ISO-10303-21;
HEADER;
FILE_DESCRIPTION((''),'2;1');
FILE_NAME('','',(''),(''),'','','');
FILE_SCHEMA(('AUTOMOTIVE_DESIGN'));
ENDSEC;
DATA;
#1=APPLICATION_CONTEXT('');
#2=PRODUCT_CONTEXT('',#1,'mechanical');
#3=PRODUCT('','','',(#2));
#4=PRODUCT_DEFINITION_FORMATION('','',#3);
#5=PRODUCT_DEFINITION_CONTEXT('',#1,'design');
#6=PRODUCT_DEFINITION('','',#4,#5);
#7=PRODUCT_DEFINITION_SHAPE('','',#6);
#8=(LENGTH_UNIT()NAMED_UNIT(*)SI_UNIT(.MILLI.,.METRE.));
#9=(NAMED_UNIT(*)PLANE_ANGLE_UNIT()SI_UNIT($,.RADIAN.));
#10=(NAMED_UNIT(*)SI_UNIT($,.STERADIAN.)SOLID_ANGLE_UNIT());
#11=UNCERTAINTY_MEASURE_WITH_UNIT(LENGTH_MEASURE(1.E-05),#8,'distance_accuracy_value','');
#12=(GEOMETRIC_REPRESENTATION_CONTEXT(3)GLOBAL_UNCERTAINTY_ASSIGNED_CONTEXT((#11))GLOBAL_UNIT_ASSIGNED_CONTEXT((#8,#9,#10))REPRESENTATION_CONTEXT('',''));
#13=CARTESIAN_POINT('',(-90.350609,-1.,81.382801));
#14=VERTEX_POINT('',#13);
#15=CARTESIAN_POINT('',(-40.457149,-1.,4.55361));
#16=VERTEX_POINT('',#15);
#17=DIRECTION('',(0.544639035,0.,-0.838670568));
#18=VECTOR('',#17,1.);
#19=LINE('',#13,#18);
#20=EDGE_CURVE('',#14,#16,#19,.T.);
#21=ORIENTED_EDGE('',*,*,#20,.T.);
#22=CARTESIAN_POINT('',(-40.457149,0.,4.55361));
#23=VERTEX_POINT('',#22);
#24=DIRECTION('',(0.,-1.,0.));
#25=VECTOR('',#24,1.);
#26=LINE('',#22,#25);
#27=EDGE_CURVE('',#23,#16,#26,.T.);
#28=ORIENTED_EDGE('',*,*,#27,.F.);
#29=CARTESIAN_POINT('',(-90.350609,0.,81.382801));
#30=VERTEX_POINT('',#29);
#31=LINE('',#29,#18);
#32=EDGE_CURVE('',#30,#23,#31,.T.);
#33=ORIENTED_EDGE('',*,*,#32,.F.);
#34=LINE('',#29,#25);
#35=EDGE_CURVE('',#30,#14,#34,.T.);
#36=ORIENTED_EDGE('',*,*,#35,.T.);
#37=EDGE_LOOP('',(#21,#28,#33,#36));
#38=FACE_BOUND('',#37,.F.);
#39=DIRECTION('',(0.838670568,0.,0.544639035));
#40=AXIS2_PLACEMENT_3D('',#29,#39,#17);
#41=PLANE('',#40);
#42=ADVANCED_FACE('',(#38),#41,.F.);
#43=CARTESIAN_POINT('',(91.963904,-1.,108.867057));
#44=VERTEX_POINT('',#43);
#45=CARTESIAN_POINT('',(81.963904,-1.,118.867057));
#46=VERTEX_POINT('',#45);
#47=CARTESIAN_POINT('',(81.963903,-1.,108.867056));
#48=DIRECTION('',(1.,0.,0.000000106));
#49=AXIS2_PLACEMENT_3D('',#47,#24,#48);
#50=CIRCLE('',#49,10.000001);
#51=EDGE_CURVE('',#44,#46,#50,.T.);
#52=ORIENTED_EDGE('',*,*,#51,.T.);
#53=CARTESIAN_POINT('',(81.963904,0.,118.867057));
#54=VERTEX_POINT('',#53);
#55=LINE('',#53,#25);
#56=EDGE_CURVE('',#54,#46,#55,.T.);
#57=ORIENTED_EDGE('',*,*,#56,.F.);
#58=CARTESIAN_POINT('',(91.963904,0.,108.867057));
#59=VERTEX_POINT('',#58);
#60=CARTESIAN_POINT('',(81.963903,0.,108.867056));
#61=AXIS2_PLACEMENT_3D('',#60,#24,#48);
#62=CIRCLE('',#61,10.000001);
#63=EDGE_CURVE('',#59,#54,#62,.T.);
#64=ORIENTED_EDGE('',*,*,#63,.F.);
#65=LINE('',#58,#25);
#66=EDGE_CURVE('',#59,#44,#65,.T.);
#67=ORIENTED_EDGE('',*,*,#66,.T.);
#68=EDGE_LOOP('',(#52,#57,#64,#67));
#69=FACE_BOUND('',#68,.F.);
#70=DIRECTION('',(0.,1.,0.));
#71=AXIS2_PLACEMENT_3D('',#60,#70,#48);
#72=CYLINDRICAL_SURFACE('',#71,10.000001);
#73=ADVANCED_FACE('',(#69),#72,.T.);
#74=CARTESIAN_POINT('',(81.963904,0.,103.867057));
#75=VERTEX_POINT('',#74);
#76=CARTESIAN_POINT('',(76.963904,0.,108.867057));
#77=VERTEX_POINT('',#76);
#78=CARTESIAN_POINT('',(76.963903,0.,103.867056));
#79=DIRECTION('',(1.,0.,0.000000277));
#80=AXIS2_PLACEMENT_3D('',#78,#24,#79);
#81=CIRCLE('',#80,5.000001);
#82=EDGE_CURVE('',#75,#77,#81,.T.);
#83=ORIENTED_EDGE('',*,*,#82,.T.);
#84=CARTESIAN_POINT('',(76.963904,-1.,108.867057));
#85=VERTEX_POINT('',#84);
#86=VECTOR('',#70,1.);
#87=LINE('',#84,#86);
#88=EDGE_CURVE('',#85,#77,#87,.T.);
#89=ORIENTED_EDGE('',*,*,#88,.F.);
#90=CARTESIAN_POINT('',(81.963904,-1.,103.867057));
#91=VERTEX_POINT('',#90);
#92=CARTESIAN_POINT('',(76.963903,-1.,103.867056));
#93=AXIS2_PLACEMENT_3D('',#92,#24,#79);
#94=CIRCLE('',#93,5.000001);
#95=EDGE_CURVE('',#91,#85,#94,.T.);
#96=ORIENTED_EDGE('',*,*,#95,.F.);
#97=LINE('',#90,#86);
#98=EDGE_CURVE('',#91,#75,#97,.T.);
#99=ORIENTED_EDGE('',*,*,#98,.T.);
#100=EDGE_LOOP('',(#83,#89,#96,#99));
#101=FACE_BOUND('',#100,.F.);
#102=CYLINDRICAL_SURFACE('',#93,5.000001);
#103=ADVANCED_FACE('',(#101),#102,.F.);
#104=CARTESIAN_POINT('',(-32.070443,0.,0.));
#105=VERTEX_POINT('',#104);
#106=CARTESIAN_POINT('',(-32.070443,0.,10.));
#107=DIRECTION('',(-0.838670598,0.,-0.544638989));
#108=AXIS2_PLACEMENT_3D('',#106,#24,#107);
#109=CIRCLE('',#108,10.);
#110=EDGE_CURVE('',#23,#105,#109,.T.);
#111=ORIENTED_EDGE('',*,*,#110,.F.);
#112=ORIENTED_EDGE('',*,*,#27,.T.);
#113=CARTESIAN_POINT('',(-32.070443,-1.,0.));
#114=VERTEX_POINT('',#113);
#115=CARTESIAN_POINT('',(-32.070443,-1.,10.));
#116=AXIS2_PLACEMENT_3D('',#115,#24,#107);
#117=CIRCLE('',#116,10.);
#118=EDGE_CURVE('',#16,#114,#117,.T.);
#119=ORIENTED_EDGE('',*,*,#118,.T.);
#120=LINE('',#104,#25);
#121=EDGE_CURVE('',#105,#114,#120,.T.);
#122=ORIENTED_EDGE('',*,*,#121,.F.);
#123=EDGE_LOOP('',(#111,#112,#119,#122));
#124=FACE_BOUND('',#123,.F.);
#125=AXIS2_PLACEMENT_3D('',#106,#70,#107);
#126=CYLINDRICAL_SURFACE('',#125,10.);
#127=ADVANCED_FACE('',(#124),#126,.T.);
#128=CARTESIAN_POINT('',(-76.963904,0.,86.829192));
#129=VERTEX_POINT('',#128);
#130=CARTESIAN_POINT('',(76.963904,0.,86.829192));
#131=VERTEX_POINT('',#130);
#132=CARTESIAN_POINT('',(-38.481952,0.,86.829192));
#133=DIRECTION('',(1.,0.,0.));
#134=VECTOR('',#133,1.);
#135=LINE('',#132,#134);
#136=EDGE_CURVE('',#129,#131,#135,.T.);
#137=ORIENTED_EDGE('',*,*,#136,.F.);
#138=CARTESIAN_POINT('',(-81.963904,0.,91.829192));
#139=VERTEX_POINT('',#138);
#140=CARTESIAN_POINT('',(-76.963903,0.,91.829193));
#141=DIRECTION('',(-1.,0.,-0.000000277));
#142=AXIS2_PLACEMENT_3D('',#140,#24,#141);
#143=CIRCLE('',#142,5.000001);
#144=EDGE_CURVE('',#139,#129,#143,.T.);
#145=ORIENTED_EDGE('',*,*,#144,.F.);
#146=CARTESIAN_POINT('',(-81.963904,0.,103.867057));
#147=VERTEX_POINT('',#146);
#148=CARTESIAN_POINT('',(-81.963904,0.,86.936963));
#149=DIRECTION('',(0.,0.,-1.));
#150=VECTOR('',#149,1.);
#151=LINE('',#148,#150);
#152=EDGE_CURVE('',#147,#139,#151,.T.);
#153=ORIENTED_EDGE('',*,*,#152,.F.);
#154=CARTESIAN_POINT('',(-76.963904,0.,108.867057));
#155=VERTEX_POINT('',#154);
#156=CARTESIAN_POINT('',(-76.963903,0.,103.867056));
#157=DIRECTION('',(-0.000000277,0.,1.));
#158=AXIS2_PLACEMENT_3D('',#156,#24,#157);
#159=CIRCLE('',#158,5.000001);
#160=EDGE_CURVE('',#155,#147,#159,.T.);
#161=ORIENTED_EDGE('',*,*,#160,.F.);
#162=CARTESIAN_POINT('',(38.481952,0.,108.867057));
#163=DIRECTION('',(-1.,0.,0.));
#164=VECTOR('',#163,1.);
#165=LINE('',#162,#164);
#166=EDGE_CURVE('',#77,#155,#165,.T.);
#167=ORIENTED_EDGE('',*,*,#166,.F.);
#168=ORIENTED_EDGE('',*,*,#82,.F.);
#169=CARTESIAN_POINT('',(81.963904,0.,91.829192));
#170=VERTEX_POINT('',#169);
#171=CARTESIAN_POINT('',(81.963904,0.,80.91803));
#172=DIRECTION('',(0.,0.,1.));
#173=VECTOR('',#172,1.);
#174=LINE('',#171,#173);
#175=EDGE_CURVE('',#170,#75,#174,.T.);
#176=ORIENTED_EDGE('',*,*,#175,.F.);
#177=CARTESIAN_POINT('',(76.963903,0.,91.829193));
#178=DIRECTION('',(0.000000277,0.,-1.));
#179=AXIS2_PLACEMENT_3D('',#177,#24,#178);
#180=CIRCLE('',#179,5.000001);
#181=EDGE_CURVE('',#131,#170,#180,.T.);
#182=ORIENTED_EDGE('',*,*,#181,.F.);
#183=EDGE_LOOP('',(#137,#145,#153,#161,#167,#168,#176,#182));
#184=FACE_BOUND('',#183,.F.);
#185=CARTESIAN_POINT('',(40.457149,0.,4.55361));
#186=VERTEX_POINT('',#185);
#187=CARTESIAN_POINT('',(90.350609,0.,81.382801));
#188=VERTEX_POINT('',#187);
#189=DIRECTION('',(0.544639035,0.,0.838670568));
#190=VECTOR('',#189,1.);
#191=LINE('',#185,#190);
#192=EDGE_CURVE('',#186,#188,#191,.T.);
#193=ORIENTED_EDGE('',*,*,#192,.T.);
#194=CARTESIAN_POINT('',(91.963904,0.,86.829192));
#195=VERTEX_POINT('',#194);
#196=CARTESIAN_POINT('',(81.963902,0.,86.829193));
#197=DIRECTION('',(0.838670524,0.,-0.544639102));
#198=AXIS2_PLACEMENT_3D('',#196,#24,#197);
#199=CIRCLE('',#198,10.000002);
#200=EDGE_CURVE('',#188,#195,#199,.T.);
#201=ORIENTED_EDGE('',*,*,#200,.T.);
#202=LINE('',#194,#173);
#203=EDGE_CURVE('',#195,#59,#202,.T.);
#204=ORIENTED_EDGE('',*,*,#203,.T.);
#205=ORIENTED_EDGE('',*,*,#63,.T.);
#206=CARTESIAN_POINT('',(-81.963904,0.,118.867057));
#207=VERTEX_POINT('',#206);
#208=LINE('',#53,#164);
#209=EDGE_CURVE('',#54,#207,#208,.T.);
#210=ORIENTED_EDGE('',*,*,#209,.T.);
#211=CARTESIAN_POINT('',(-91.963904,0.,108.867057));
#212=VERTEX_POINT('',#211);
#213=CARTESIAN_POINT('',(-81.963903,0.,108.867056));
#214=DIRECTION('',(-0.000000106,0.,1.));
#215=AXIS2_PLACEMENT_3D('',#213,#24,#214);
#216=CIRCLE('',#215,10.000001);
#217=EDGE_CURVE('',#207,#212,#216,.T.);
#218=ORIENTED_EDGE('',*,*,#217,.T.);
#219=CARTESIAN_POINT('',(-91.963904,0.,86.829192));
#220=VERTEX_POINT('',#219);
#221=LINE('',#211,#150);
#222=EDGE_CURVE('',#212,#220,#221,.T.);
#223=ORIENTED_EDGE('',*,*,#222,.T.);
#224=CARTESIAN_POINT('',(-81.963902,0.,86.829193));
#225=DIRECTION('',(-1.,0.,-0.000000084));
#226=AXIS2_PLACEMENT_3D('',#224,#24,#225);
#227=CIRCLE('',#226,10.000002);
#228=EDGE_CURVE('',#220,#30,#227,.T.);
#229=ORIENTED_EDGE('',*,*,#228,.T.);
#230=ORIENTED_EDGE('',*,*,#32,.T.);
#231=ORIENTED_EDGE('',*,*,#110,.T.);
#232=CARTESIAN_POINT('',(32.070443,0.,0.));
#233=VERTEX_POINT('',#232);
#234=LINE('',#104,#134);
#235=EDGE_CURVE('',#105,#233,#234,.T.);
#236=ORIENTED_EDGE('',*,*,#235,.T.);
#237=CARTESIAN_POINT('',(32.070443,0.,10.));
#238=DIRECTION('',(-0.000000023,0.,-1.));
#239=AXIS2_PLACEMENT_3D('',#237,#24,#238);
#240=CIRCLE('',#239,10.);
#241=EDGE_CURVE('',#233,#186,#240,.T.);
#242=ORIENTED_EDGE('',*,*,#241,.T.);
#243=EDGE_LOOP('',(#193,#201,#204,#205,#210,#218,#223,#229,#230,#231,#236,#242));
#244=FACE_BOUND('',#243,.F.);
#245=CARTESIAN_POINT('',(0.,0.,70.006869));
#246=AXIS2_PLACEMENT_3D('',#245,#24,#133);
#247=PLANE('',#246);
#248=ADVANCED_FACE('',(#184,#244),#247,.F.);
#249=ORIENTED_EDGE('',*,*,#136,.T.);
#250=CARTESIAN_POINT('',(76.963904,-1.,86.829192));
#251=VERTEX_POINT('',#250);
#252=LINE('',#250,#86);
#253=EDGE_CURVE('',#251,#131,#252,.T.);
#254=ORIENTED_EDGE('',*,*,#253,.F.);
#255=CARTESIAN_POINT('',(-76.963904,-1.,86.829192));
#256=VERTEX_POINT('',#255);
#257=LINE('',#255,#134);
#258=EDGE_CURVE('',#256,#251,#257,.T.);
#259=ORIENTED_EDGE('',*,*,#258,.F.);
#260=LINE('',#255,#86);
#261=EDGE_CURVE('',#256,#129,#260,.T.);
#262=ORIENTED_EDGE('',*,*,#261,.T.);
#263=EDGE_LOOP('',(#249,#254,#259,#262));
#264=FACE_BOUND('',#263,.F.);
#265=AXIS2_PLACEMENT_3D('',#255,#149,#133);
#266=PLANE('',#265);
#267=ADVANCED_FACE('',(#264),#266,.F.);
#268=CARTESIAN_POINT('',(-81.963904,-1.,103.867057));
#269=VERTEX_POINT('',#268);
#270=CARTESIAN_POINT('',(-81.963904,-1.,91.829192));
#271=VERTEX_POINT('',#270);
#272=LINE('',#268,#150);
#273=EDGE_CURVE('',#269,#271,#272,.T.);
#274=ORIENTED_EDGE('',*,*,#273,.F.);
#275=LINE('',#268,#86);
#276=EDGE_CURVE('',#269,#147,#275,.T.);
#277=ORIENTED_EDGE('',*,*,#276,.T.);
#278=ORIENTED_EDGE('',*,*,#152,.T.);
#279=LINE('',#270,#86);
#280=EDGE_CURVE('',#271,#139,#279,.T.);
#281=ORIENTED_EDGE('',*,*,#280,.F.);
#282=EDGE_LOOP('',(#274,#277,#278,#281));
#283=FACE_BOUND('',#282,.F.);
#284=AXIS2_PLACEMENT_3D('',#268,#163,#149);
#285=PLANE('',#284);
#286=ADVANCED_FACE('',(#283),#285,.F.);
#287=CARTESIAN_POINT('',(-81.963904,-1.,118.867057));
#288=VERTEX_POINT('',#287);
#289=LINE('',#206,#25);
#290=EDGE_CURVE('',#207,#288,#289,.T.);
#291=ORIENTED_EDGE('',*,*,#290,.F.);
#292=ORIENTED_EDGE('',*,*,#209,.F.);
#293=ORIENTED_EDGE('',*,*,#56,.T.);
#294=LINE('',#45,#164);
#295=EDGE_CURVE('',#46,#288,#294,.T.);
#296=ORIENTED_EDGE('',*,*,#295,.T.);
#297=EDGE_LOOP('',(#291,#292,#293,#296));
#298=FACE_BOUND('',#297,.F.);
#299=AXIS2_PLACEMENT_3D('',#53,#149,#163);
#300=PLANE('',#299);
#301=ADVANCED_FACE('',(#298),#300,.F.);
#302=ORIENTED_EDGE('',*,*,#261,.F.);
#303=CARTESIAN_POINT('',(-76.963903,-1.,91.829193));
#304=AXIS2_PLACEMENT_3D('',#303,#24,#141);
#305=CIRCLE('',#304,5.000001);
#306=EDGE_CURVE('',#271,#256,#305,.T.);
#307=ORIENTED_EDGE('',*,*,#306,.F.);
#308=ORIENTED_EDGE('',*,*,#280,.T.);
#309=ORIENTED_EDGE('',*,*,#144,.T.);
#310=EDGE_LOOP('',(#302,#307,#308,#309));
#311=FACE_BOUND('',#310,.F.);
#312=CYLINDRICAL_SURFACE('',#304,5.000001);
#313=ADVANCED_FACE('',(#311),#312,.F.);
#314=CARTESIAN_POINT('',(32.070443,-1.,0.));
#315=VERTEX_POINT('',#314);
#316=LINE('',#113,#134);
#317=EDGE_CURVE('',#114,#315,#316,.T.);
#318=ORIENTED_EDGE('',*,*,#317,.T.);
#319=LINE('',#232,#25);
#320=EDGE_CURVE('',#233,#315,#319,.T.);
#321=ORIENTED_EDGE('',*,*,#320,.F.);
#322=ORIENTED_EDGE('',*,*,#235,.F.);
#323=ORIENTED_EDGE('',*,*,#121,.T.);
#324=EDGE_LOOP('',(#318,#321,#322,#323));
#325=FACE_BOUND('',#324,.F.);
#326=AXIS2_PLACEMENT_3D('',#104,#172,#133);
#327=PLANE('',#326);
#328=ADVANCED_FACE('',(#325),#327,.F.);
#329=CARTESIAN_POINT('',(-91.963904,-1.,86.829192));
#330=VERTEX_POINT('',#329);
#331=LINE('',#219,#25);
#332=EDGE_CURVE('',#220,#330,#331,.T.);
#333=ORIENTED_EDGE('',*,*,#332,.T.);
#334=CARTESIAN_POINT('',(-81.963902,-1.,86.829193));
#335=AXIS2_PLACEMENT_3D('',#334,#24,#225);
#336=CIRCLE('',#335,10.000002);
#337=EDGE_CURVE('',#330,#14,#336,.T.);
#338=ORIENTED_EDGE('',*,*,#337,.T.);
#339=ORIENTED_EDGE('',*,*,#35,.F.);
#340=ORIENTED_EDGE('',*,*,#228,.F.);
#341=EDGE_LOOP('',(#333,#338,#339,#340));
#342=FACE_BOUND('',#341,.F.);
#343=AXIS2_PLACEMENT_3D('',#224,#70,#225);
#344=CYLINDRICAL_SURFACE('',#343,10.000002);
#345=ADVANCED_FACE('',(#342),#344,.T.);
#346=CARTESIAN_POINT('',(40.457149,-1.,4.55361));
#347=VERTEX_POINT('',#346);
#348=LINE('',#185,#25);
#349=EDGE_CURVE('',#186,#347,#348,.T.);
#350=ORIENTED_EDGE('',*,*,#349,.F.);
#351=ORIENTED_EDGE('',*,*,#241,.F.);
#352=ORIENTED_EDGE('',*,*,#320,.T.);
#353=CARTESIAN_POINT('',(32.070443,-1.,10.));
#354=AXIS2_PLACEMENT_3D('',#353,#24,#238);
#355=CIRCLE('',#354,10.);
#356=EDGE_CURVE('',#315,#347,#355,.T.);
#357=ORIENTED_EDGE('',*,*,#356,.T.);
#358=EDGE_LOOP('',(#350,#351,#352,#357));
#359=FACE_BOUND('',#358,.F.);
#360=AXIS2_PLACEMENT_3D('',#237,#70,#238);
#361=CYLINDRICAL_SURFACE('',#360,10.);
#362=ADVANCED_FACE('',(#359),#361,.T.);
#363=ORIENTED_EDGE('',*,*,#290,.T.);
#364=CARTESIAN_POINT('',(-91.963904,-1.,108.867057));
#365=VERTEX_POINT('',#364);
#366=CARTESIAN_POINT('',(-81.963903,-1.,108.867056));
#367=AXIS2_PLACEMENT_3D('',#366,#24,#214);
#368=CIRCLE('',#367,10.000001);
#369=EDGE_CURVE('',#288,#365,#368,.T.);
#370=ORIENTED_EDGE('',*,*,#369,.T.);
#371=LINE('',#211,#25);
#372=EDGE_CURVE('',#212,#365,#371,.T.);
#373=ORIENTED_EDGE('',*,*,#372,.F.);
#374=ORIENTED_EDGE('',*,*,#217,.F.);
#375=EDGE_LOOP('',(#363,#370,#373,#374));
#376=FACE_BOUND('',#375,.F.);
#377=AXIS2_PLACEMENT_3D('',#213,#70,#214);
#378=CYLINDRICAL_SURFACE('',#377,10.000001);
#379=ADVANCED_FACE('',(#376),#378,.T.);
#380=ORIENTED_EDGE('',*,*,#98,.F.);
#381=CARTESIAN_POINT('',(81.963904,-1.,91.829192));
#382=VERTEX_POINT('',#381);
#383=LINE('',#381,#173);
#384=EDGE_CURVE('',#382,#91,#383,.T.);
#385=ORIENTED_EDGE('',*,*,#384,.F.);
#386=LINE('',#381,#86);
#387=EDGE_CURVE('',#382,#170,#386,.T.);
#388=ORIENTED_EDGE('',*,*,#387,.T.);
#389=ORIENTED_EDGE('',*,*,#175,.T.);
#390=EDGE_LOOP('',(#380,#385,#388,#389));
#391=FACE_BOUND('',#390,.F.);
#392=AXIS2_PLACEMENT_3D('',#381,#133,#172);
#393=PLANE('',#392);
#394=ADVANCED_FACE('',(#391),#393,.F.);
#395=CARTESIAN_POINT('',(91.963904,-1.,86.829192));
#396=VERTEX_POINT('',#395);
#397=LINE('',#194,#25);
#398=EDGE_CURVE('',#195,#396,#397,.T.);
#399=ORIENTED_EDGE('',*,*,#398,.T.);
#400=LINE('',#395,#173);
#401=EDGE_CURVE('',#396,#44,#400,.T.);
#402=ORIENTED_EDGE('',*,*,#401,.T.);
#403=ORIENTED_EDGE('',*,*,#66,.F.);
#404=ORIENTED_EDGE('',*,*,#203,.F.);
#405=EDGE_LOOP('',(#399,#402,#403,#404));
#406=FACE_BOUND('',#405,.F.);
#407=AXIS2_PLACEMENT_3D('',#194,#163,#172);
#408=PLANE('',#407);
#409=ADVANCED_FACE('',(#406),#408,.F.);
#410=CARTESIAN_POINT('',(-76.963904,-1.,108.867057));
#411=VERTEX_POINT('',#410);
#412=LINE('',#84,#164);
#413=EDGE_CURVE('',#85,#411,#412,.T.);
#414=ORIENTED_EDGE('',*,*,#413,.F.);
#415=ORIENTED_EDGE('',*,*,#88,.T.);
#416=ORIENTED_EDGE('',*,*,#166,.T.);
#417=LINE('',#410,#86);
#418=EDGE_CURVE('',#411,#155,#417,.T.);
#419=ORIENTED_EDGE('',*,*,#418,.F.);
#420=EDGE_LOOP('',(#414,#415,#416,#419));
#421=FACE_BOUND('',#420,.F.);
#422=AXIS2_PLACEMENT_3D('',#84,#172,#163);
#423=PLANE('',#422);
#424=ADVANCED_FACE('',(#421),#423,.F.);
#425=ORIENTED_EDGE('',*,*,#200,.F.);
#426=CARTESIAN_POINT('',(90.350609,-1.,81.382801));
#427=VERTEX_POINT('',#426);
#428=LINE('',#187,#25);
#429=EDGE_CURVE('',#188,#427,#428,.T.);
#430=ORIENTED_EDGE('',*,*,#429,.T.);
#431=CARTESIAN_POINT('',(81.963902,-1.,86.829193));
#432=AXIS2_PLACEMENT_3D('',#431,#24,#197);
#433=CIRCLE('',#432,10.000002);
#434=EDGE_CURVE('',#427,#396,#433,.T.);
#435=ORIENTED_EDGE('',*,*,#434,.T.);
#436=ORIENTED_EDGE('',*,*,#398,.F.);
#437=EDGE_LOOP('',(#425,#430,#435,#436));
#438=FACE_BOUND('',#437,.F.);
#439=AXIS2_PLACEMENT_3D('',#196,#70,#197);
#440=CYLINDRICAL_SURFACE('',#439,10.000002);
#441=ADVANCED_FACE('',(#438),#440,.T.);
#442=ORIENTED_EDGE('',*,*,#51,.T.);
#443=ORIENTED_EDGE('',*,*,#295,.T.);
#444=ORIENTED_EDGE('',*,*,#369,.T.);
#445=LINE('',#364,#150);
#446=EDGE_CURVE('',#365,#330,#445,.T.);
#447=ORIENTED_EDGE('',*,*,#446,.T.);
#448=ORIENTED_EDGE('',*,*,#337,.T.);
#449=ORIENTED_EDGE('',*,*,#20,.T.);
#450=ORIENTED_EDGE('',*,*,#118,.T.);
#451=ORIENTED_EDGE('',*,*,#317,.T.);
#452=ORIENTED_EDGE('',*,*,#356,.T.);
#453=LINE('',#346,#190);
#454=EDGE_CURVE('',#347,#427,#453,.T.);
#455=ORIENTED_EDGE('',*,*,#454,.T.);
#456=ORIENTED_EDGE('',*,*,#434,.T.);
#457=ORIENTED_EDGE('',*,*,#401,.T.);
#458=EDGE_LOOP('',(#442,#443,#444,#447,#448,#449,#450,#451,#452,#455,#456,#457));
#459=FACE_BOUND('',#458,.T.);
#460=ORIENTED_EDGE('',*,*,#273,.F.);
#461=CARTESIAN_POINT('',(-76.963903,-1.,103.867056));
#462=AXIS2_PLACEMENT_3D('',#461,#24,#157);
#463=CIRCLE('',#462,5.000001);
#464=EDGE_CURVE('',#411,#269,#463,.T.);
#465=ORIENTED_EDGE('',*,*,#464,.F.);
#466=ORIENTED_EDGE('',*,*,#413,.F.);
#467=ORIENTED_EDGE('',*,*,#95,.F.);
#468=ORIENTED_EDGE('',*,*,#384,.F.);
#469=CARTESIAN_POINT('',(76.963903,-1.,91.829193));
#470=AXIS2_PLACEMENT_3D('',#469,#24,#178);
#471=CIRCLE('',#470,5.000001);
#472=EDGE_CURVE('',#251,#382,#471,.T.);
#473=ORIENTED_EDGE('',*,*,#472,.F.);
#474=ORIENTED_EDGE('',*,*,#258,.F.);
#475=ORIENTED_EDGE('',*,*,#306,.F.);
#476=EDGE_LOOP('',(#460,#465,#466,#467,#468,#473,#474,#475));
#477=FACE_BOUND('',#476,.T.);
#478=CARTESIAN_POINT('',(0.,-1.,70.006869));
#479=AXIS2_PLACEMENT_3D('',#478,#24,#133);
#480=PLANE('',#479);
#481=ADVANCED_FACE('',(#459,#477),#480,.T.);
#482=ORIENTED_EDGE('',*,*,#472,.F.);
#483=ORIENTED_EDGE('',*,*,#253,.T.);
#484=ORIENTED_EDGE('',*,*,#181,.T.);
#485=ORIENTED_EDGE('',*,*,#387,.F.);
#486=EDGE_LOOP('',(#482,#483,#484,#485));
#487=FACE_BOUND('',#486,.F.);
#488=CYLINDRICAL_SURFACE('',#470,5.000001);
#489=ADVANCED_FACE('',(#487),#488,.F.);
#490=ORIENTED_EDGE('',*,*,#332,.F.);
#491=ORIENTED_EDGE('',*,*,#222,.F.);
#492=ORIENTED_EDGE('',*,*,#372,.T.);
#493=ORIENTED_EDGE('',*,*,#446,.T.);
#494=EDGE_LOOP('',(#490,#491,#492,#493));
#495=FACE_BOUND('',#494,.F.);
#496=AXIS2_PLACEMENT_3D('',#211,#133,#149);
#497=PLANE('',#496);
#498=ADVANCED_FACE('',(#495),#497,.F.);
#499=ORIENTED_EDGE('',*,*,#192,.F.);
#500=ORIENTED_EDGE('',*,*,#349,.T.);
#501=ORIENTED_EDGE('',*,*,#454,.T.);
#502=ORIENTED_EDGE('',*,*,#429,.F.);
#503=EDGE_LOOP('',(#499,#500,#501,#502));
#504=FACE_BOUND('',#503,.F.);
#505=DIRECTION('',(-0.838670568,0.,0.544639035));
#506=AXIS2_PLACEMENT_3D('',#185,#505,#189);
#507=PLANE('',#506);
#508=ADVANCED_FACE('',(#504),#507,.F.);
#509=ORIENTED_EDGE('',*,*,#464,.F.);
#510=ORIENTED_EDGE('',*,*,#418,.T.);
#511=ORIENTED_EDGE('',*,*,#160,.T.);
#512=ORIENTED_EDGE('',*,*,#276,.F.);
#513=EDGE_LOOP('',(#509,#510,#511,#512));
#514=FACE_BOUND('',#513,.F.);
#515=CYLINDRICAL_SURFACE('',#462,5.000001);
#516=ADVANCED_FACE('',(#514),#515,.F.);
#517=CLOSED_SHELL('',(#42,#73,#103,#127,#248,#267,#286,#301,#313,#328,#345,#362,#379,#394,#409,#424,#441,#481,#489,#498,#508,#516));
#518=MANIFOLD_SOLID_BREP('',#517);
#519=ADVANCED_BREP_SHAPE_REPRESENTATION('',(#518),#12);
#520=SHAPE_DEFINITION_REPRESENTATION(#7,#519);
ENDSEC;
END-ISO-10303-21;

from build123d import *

# Parameters (mm, degrees)
F1_DEPTH = 1
F4_DEPTH = 25


with BuildPart() as f1:
    # F0 (on Front) → F1 (new body)
    with BuildSketch(Plane.XZ):
        with BuildLine():
            Line((-32.070443, 0), (0, 0))
            Line((0, 0), (32.070443, 0))
            ThreePointArc((32.070443, 0), (36.842031, 1.211829), (40.457149, 4.55361))
            Line((40.457149, 4.55361), (90.350609, 81.382801))
            ThreePointArc((90.350609, 81.382801), (91.552101, 83.989038), (91.963904, 86.829192))
            Line((91.963904, 86.829192), (91.963904, 108.867057))
            ThreePointArc((91.963904, 108.867057), (89.034971, 115.938125), (81.963904, 118.867057))
            Line((81.963904, 118.867057), (-81.963904, 118.867057))
            ThreePointArc((-81.963904, 118.867057), (-89.034971, 115.938125), (-91.963904, 108.867057))
            Line((-91.963904, 108.867057), (-91.963904, 86.829192))
            ThreePointArc((-91.963904, 86.829192), (-91.552101, 83.989038), (-90.350609, 81.382801))
            Line((-90.350609, 81.382801), (-40.457149, 4.55361))
            ThreePointArc((-40.457149, 4.55361), (-36.842031, 1.211829), (-32.070443, 0))
        make_face()
    extrude(amount=F1_DEPTH)


with BuildPart() as f2_1:
    # F2: copy of F1
    add(f1.part)


with BuildPart() as f4_tool:
    # F3 (on face) → F4 (new body)
    with BuildSketch(Plane.XZ.offset(1)):
        with BuildLine():
            Line((76.963904, 108.867057), (-76.963904, 108.867057))
            ThreePointArc((-76.963904, 108.867057), (-80.499437, 107.402591), (-81.963904, 103.867057))
            Line((-81.963904, 103.867057), (-81.963904, 91.829192))
            ThreePointArc((-81.963904, 91.829192), (-80.499437, 88.293658), (-76.963904, 86.829192))
            Line((-76.963904, 86.829192), (76.963904, 86.829192))
            ThreePointArc((76.963904, 86.829192), (80.499437, 88.293658), (81.963904, 91.829192))
            Line((81.963904, 91.829192), (81.963904, 103.867057))
            ThreePointArc((81.963904, 103.867057), (80.499437, 107.402591), (76.963904, 108.867057))
        make_face()
    extrude(amount=-F4_DEPTH)


with BuildPart() as f1_1:
    add(f1.part)

    # F4: cut by f4_tool
    add(f4_tool.part, mode=Mode.SUBTRACT)


with BuildPart() as f2_1_1:
    add(f2_1.part)

    # F4: cut by f4_tool
    add(f4_tool.part, mode=Mode.SUBTRACT)


solid = f1_1.part
